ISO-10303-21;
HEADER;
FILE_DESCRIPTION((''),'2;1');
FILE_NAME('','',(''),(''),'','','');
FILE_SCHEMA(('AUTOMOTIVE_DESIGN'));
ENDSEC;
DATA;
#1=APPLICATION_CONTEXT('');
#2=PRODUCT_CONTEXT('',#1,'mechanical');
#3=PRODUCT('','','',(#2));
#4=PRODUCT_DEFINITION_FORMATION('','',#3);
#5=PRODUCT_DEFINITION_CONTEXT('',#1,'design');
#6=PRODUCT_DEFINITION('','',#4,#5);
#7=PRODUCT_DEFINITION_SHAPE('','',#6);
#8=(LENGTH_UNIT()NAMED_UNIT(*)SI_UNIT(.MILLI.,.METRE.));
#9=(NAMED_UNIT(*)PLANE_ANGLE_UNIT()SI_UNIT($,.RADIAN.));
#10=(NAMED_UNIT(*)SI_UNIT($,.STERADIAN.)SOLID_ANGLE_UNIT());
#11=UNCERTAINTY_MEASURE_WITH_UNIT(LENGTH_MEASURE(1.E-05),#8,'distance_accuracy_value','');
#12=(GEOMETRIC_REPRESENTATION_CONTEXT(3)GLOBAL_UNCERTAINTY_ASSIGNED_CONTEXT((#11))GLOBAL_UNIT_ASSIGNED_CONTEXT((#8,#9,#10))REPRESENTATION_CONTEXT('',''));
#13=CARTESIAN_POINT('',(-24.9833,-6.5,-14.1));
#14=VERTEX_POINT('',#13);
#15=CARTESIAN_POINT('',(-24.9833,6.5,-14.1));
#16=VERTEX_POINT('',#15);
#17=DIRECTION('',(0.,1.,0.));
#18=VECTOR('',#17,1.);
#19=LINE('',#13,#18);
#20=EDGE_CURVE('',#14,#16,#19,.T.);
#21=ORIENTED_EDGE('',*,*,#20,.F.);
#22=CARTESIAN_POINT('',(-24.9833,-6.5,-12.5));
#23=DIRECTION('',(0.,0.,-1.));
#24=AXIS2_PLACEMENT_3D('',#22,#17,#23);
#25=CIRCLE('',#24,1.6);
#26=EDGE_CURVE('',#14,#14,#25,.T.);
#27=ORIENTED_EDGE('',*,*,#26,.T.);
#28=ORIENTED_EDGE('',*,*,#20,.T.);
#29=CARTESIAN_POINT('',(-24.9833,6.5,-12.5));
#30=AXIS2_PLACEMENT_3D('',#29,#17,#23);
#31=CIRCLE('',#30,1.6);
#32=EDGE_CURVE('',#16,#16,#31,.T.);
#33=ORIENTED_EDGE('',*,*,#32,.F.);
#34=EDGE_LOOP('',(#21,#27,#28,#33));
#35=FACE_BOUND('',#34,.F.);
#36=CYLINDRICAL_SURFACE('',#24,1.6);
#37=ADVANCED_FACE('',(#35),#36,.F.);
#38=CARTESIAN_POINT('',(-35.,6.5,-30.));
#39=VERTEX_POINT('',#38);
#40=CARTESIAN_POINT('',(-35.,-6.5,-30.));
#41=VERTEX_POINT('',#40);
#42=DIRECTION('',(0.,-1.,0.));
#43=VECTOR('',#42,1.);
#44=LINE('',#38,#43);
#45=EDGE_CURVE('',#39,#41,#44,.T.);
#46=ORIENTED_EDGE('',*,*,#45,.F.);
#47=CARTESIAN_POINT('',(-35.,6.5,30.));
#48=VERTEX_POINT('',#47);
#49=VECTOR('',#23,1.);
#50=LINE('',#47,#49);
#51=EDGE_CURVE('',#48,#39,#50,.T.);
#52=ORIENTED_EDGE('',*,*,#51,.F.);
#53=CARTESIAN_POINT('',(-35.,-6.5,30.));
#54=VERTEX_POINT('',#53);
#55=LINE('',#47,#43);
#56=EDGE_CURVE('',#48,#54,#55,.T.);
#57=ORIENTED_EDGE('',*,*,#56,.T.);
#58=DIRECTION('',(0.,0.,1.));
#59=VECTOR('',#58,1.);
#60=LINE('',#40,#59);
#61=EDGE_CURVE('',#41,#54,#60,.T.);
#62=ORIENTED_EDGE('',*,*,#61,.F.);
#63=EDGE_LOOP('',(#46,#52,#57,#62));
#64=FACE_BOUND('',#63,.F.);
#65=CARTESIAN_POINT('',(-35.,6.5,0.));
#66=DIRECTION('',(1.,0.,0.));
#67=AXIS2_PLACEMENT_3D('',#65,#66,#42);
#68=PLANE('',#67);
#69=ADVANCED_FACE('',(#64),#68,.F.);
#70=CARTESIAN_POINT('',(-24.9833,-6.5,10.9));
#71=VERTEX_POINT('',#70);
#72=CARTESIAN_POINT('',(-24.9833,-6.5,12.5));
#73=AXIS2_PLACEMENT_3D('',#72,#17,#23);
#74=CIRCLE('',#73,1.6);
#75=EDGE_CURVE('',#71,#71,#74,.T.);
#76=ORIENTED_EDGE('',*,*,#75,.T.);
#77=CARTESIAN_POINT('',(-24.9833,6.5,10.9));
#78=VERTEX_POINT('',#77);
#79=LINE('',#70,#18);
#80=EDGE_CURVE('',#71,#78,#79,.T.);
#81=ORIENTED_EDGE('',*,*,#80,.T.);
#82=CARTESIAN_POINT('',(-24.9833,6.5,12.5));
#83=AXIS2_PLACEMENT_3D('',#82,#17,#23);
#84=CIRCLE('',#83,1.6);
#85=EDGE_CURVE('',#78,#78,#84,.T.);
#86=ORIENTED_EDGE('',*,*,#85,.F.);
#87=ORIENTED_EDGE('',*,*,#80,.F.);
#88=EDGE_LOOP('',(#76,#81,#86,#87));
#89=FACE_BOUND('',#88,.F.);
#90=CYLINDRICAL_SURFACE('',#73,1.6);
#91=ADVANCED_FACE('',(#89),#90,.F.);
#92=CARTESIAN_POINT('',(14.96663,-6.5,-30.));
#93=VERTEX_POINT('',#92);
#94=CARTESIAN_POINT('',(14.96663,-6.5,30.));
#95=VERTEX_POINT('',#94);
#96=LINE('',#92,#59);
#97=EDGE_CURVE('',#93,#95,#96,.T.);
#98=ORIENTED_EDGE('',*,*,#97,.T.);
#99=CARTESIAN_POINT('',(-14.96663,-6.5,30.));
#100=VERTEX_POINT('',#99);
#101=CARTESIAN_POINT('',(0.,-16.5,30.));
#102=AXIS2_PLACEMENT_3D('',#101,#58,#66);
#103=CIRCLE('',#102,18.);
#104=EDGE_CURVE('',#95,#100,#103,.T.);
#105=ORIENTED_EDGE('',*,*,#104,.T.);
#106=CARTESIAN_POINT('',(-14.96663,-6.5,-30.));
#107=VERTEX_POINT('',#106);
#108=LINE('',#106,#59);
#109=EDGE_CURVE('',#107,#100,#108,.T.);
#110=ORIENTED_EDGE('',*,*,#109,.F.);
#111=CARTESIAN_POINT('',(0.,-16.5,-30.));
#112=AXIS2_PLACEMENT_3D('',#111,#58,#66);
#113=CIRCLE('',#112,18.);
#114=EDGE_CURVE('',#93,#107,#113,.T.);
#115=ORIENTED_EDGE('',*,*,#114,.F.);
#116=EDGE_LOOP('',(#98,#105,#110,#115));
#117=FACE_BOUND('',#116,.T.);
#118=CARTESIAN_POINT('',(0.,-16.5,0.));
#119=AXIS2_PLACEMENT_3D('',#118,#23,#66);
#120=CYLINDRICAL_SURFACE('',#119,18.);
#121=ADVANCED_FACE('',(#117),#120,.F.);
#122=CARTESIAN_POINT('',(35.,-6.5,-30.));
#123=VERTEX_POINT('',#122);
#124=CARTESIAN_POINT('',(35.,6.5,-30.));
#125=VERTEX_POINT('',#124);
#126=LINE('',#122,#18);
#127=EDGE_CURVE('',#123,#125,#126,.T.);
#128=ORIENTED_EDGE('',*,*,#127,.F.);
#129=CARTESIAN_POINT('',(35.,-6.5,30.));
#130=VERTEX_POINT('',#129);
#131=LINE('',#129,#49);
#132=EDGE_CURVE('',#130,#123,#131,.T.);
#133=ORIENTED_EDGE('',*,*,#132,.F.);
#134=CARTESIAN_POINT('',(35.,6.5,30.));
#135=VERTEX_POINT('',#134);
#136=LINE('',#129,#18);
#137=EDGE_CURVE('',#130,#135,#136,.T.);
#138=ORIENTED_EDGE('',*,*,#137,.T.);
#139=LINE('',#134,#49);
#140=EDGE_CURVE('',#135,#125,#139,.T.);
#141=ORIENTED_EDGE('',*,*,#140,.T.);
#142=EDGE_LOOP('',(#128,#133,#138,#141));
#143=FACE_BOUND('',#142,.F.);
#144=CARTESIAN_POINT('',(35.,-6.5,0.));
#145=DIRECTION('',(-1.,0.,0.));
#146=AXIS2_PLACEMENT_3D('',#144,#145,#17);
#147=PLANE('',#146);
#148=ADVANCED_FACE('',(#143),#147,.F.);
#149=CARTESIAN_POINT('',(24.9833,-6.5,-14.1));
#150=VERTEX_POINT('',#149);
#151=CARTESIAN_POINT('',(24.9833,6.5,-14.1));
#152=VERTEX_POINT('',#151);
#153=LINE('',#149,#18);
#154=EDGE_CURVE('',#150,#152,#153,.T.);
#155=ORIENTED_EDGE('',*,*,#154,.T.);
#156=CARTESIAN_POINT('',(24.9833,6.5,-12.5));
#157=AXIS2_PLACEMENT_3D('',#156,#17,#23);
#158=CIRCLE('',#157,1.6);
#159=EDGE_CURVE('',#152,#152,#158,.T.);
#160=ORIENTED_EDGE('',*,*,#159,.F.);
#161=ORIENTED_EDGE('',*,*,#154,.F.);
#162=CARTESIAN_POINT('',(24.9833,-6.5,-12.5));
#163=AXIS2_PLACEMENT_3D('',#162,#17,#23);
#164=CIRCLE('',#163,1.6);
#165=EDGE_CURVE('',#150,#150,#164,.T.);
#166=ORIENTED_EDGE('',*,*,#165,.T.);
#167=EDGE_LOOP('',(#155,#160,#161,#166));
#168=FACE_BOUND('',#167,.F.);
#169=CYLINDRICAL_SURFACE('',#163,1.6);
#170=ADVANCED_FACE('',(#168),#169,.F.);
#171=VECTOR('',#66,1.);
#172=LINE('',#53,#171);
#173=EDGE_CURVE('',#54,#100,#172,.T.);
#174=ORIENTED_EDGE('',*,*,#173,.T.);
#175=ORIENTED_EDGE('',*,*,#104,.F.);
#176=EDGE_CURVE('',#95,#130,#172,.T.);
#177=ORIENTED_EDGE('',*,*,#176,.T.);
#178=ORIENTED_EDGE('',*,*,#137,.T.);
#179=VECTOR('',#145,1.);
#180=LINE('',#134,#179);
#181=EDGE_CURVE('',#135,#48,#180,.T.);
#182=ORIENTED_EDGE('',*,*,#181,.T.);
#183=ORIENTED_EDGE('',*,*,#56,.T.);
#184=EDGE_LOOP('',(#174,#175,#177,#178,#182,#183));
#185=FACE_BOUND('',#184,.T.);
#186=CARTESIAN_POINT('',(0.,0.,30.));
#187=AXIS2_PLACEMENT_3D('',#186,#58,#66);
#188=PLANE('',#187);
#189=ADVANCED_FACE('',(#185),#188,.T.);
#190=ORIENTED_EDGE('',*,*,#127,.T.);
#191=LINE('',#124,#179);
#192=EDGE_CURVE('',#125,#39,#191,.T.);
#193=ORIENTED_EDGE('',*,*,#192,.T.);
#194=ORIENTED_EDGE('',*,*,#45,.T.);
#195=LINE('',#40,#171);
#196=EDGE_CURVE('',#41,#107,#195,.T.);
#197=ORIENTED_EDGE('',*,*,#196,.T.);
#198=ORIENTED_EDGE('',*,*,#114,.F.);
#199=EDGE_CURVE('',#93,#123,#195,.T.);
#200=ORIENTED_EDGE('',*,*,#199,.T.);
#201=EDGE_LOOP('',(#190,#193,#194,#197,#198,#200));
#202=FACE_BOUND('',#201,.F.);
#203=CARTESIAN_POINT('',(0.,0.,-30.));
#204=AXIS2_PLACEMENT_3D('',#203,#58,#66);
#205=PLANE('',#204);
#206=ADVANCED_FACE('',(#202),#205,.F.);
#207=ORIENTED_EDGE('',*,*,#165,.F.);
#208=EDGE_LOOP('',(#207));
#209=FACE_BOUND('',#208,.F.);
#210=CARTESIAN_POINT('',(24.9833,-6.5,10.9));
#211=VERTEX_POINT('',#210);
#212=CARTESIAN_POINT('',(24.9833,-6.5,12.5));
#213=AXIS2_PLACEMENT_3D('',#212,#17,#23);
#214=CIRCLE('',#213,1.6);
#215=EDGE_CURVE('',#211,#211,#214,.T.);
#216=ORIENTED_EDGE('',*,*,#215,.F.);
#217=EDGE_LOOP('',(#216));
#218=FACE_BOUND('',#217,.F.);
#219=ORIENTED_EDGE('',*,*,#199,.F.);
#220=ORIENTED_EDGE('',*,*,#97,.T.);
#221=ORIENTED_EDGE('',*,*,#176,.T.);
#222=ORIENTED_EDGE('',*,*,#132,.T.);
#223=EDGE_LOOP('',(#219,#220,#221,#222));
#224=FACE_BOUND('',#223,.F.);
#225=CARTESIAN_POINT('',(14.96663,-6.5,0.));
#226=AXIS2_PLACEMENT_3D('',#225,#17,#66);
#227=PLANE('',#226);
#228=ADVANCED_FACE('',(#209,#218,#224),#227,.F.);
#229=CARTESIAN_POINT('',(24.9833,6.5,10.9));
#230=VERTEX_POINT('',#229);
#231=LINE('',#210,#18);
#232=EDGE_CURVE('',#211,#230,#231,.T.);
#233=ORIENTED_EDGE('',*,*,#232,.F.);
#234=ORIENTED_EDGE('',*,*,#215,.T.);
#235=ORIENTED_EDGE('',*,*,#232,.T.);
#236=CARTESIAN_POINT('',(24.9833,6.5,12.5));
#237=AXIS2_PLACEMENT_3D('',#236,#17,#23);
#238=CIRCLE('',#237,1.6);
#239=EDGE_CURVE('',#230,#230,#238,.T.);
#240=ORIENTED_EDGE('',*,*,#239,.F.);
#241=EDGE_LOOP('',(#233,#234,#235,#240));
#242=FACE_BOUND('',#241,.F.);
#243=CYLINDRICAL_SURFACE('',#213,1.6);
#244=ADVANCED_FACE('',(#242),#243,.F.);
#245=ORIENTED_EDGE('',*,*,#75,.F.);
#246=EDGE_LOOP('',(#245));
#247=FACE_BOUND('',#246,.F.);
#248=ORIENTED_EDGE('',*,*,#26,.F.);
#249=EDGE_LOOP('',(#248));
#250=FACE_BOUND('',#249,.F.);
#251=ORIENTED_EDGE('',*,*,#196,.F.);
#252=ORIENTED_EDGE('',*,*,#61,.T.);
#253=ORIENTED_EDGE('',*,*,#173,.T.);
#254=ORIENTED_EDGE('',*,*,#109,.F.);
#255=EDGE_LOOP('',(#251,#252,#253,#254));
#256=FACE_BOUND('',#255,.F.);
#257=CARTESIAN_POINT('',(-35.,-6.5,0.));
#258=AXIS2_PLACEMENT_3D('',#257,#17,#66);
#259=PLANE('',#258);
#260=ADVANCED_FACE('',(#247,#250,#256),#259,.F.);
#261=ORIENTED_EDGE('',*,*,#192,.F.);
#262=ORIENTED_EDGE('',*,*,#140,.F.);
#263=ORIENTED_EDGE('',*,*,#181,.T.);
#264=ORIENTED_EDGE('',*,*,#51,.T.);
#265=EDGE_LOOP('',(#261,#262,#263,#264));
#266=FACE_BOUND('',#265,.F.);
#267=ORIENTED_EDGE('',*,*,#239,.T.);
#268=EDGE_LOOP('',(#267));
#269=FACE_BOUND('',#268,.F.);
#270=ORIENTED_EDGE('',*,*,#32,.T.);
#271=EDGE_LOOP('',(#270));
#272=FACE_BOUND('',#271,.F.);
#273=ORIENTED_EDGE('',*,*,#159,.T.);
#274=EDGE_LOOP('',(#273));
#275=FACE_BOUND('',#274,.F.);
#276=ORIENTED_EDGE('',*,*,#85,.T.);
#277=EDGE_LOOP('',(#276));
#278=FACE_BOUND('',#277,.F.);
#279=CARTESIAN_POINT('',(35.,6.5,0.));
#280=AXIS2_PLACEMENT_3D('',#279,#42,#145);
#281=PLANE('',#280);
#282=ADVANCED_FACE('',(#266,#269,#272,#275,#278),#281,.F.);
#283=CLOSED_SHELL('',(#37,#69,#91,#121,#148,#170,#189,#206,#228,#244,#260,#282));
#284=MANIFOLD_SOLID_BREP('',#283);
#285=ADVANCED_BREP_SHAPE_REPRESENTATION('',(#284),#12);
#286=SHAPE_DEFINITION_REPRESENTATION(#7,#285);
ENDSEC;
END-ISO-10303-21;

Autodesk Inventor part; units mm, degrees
ref_plane "YZ Plane" through (0, 0, 0) normal (1, 0, 0) x (0, 1, 0)
ref_plane "XZ Plane" through (0, 0, 0) normal (0, 1, 0) x (-1, 0, 0)
ref_plane "XY Plane" through (0, 0, 0) normal (0, 0, 1) x (1, 0, 0)
sketch "Sketch1" plane through (0, 0, 0) normal (0, 0, 1) x (1, 0, 0)
  line L0 (-35, -6.5) -> (35, -6.5)
  line L1 (35, -6.5) -> (35, 6.5)
  line L2 (35, 6.5) -> (-35, 6.5)
  line L3 (-35, 6.5) -> (-35, -6.5)
  line L4 (-35, -6.5) -> (35, 6.5) construction
  line L5 (35, -6.5) -> (-35, 6.5) construction
  circle A0 centre (0, -16.5) radius 18
  line L6 (0, 6.5) -> (0, -6.5) construction
  point P0 (0, 0)
  point P1 (0, 0)
  point P2 (-14.9666, -6.5)
  point P3 (14.9666, -6.5)
  dimension "d0" = 36
  dimension "d1" = 10
  dimension "d2" = 70
  dimension "d3" = 13
extrude "Extrusion1" add sketch "Sketch1" along normal mid plane 60 contours L3 L2 L1 L0 A0
sketch "Sketch2" plane through (14.9666, -6.5, -30) normal (0, -1, 0) x (1, 0, 0)
  line L0 (-29.9333, 0) -> (-49.9666, 0) projected
  line L1 (-29.9333, 0) -> (-29.9333, 60) projected
  line L2 (-49.9666, 60) -> (-29.9333, 60) projected
  line L3 (-49.9666, 60) -> (-49.9666, 0) projected
  line L4 (20.0334, 0) -> (0, 0) projected
  line L5 (20.0334, 0) -> (20.0334, 60) projected
  line L6 (0, 60) -> (20.0334, 60) projected
  line L7 (0, 0) -> (0, 60) projected
  line L8 (-49.9666, 60) -> (-29.9333, 60) projected
  line L9 (-39.9499, 60) -> (-39.9499, 0)
  line L10 (-29.9333, 0) -> (-49.9666, 0) projected
  line L11 (20.0334, 0) -> (0, 0) projected
  line L12 (10.0167, 0) -> (10.0167, 60)
  line L13 (-49.9666, 30) -> (20.0334, 30) construction
  line L14 (-49.9666, 17.5) -> (20.0334, 17.5)
  line L15 (20.0334, 17.5) -> (20.0334, 42.5)
  line L16 (20.0334, 42.5) -> (-49.9666, 42.5)
  line L17 (-49.9666, 42.5) -> (-49.9666, 17.5)
  line L18 (-49.9666, 17.5) -> (20.0334, 42.5) construction
  line L19 (20.0334, 17.5) -> (-49.9666, 42.5) construction
  point P0 (-14.9666, 30)
  point P1 (-39.9499, 42.5)
  point P2 (-39.9499, 17.5)
  point P3 (10.0167, 17.5)
  point P4 (10.0167, 42.5)
  dimension "d6" = 25
hole "Hole1" at (-24.9833, -6.5, 12.5) at (-24.9833, -6.5, -12.5) at (24.9833, -6.5, -12.5) at (24.9833, -6.5, 12.5) direction (0, 1, 0) diameter 3.2 end through all
properties part number "19_Kep_han_B" material "ABS Plastic"
